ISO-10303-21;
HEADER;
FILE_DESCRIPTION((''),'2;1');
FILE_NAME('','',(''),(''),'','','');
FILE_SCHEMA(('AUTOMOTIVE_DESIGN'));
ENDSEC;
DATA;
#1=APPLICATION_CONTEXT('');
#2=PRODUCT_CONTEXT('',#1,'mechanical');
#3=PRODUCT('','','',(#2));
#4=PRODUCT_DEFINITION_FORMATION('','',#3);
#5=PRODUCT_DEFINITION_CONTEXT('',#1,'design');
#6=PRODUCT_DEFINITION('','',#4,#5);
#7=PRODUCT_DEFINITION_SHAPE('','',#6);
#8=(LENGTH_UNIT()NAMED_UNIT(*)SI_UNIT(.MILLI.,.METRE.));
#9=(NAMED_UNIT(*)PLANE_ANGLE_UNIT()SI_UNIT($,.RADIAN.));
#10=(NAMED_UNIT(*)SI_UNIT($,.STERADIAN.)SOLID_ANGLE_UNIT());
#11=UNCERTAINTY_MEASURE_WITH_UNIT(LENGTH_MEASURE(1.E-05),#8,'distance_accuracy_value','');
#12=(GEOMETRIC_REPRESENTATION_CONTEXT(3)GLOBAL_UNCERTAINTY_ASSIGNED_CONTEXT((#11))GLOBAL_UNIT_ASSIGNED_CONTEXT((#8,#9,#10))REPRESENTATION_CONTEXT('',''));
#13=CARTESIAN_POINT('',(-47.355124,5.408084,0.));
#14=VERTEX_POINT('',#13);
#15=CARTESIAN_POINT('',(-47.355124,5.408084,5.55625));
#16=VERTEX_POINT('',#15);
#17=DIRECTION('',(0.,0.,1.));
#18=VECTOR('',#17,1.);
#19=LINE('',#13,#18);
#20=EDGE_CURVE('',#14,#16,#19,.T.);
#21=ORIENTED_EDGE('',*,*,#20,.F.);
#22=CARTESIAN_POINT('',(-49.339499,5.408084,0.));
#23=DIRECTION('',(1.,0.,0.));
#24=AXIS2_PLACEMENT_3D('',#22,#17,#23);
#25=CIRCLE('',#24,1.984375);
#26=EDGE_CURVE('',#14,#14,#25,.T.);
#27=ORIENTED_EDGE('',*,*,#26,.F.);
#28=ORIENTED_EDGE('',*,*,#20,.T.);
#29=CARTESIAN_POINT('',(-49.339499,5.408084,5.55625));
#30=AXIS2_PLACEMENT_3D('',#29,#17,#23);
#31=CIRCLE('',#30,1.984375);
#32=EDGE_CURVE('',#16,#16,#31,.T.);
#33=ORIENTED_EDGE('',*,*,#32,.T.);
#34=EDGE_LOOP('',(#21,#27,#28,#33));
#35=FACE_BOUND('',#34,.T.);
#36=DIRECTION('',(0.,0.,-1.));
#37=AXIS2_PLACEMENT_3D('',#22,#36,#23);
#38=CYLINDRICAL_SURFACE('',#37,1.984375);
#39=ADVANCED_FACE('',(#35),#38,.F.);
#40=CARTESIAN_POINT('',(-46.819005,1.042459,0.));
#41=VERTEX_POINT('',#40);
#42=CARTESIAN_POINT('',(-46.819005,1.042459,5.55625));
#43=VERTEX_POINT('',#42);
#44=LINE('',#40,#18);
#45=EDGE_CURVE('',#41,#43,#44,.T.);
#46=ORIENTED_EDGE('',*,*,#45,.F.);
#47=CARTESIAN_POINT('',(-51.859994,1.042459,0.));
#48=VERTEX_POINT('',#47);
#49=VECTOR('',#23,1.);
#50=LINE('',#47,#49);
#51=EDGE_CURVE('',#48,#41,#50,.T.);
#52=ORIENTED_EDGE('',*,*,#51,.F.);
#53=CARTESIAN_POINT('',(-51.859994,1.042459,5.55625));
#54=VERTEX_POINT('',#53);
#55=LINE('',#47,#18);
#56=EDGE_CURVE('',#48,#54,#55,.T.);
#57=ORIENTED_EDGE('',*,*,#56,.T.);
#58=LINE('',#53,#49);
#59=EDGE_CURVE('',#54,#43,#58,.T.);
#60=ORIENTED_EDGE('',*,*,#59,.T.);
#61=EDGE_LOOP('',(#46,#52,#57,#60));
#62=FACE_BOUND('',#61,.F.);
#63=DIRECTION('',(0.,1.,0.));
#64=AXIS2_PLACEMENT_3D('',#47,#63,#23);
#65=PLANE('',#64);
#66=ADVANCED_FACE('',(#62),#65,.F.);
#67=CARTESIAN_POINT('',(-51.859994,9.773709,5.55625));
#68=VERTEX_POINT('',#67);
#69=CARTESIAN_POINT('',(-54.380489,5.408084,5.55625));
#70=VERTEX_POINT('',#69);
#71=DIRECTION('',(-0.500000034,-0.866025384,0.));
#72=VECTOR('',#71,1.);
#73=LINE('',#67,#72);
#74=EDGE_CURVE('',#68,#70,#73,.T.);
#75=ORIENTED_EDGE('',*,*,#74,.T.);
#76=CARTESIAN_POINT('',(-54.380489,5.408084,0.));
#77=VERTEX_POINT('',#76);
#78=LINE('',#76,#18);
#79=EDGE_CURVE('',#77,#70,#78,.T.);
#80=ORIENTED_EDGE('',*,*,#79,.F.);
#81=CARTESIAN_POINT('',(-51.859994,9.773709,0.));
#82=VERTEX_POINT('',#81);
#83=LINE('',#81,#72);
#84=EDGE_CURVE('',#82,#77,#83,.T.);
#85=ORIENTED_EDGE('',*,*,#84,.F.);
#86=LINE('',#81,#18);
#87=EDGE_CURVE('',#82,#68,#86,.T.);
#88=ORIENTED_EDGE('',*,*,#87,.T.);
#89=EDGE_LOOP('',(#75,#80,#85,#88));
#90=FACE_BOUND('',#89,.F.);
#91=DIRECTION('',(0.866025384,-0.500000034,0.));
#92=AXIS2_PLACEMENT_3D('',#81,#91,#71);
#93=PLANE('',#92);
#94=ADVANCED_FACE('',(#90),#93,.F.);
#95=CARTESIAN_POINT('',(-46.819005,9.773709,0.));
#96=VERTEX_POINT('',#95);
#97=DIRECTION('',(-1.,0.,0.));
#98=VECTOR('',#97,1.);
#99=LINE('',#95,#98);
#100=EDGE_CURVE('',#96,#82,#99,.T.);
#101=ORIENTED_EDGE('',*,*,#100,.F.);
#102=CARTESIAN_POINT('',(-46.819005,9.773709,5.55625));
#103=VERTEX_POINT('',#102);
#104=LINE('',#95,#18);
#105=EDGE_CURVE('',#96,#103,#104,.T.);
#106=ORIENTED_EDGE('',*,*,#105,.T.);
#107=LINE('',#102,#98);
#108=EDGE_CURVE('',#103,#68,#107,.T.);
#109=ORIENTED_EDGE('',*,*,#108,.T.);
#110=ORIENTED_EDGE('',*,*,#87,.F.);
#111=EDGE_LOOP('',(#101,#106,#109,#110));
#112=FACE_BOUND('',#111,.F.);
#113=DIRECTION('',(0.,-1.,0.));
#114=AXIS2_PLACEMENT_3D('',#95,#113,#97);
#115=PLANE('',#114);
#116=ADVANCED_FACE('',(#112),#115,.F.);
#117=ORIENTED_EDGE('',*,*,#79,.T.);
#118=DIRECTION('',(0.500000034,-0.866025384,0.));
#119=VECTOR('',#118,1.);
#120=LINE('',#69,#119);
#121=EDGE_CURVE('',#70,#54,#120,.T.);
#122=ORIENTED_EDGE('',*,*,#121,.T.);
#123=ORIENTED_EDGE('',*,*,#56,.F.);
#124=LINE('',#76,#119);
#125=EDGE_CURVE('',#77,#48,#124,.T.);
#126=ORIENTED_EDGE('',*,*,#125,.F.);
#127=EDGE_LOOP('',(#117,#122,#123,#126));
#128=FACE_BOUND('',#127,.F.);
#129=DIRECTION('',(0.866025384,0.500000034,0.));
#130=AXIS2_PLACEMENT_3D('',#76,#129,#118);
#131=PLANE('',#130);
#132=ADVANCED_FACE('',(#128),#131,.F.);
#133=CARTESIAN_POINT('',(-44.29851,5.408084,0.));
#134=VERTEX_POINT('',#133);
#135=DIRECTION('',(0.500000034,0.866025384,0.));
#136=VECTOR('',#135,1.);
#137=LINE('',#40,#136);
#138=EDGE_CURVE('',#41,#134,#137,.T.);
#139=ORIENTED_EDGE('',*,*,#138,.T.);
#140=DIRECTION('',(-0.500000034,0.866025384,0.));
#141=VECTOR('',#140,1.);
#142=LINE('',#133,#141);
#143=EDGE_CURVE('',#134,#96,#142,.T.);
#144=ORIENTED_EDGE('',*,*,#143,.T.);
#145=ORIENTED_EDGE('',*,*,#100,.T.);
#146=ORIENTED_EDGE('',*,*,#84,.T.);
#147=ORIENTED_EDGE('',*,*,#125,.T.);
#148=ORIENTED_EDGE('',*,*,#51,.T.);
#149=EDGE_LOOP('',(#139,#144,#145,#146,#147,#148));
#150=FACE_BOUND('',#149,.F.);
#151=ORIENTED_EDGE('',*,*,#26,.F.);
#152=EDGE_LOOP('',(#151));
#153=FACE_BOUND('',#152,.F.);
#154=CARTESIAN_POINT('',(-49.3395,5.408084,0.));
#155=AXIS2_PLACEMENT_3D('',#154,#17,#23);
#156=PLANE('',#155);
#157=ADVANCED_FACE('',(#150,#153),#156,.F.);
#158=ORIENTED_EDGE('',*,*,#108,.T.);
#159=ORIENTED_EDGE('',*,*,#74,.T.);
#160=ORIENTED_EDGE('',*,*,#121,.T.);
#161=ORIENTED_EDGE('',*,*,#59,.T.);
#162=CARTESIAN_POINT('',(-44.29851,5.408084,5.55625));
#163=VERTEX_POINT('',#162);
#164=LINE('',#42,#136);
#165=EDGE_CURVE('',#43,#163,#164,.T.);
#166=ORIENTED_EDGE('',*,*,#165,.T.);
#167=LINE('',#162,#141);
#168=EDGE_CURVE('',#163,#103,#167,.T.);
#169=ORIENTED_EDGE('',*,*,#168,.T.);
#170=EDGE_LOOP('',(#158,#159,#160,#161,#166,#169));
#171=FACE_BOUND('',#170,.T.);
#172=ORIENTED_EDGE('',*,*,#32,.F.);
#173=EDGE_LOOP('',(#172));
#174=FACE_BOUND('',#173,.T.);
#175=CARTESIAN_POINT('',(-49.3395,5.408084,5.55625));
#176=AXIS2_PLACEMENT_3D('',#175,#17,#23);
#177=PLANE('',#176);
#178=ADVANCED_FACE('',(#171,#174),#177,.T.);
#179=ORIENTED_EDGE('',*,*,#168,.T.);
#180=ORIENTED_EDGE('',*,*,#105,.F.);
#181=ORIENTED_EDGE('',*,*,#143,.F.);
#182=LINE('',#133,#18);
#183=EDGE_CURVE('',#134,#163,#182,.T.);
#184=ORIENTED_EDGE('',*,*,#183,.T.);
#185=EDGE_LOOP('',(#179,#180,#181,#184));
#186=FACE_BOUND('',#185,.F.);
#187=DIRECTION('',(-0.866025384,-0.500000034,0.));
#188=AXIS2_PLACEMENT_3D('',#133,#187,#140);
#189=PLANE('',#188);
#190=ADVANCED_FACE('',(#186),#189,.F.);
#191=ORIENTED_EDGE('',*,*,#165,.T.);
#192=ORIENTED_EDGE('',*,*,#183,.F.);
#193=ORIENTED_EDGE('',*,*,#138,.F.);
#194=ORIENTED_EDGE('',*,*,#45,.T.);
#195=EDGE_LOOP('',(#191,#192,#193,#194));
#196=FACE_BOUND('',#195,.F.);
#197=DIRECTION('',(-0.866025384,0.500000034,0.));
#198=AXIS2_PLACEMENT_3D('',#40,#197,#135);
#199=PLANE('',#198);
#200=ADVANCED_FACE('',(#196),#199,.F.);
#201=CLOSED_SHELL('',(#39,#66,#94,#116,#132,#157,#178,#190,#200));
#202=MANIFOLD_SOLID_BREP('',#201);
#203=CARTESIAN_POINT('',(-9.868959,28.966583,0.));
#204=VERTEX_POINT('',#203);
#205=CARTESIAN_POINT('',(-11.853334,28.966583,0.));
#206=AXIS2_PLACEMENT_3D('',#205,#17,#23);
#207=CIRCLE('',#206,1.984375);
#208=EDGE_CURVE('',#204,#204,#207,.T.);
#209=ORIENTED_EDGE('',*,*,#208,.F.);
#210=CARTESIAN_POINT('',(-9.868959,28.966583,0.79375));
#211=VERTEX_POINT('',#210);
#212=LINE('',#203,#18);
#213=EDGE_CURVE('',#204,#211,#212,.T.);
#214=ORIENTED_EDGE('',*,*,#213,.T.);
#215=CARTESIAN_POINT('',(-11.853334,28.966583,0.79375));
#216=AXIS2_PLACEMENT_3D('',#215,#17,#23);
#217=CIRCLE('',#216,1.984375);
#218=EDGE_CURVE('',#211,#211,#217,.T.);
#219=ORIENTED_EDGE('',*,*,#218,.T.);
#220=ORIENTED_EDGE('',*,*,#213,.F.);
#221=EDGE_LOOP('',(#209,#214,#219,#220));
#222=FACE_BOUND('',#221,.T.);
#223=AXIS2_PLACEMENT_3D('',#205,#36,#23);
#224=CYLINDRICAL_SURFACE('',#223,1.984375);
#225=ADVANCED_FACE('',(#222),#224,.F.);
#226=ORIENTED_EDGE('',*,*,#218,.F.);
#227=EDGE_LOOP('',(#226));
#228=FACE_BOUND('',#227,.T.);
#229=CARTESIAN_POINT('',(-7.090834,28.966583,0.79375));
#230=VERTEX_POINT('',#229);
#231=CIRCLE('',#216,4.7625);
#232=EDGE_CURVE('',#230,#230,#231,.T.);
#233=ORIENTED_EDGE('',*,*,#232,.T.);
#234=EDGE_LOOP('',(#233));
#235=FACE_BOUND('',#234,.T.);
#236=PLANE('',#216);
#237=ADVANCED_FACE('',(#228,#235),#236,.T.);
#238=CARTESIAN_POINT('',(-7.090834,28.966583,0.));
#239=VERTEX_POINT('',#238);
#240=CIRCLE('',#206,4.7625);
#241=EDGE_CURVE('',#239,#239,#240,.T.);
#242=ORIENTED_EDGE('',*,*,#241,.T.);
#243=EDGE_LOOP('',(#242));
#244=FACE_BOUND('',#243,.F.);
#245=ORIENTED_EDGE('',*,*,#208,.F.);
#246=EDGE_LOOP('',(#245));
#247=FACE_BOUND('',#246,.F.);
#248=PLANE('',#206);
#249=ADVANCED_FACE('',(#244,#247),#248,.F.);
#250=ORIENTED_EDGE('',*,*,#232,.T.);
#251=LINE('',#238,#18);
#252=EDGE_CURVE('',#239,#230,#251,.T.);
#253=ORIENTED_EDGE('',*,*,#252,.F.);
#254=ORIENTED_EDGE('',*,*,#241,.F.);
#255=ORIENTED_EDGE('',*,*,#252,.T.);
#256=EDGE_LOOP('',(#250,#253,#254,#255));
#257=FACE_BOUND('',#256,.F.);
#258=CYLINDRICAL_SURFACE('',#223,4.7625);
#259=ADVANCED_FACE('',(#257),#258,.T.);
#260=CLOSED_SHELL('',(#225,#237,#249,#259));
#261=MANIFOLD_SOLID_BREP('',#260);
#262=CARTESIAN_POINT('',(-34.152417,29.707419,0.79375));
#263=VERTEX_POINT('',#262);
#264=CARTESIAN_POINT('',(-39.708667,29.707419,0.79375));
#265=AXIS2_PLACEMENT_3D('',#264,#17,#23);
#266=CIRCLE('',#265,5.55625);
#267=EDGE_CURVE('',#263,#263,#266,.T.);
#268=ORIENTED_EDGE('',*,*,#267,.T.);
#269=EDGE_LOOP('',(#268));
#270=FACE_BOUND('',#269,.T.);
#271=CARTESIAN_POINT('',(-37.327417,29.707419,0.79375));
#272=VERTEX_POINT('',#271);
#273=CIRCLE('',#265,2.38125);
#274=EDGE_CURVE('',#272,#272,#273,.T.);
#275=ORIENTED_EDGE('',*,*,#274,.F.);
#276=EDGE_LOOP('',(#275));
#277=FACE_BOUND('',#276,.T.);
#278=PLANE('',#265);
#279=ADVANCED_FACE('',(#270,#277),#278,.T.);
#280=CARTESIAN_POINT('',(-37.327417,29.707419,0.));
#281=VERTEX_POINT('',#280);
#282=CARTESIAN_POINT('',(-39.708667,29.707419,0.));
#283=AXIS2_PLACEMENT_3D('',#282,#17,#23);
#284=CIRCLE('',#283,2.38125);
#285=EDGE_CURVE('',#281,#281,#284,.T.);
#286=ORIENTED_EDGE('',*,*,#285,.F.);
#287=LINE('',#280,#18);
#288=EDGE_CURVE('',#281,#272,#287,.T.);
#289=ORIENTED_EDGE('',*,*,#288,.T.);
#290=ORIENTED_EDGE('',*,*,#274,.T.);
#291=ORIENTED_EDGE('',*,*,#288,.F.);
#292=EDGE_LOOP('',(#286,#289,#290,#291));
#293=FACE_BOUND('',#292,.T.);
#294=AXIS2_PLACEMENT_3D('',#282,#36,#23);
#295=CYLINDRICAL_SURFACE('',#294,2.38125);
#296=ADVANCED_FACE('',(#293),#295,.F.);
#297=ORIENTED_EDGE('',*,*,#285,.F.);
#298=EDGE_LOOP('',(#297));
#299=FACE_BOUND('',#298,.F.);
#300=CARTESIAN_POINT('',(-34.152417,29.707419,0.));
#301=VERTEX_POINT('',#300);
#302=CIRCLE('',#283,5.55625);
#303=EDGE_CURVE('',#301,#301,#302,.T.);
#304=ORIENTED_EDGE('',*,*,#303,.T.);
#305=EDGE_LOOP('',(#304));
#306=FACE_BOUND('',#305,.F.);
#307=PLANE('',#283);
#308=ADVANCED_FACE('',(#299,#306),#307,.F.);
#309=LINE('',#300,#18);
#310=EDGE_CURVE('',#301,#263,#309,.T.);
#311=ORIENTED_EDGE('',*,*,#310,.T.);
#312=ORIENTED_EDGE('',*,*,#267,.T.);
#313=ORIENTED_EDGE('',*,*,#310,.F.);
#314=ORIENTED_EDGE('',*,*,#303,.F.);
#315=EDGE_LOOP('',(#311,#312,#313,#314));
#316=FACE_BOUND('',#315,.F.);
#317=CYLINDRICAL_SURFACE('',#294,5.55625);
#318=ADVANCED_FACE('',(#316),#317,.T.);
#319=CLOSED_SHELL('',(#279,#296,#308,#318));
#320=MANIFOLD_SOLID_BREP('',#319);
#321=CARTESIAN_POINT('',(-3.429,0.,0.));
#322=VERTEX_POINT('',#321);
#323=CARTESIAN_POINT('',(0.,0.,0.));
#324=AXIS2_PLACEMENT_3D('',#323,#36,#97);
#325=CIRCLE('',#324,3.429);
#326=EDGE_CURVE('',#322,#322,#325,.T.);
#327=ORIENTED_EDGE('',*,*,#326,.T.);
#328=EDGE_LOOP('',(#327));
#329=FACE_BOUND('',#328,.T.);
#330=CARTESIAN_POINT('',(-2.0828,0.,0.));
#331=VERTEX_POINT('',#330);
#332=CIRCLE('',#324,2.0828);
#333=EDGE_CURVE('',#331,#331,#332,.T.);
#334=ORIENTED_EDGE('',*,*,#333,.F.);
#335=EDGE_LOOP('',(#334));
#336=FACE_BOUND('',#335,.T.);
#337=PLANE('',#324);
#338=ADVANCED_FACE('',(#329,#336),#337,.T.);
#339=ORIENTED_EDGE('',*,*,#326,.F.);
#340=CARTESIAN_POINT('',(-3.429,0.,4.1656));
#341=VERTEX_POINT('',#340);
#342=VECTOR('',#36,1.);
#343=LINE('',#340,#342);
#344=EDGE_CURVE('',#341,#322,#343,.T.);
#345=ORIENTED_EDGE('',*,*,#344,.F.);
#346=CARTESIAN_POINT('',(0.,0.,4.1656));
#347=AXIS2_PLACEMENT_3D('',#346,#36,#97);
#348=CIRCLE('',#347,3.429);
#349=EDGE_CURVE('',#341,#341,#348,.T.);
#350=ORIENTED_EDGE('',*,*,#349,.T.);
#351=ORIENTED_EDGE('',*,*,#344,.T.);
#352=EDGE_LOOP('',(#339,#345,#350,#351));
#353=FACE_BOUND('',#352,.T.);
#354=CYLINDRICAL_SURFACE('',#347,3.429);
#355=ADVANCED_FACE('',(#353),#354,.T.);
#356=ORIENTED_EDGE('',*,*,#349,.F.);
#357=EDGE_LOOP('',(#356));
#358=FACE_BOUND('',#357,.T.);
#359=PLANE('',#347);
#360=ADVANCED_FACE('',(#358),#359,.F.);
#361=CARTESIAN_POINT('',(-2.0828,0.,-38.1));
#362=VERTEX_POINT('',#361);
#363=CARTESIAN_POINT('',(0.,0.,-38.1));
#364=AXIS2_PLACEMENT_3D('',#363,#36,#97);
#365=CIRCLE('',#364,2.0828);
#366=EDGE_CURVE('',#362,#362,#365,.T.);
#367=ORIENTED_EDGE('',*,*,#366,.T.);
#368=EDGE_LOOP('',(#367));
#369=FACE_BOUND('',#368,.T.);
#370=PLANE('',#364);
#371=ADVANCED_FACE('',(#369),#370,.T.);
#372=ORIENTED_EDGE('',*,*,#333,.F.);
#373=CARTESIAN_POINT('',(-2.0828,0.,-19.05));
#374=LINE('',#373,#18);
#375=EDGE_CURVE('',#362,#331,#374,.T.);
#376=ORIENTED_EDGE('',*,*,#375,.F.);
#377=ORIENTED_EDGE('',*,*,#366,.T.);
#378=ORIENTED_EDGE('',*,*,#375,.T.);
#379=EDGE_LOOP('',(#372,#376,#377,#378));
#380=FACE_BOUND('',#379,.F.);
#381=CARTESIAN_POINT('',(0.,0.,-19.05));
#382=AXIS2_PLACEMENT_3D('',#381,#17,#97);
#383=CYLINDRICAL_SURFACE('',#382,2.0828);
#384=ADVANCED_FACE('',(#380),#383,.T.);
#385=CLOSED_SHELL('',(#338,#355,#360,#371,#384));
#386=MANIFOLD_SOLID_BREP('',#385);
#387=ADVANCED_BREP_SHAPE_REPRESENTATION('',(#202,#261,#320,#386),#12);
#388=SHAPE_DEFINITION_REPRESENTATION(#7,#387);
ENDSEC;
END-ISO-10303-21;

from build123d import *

# Parameters (mm, degrees)
F0_W     = 2.0828
F0_H     = 38.1
F2_R     = 5.55625
F2_R_2   = 2.38125
F3_DEPTH = 0.79375
F4_R     = 4.7625
F4_R_2   = 1.984375
F5_DEPTH = 0.79375
F6_R     = 1.984375
F7_DEPTH = 5.55625


with BuildPart() as f1:
    # F0 (on Front) → F1 (revolve)
    with BuildSketch(Plane.XZ):
        with Locations((-1.0414, -19.05)):
            Rectangle(F0_W, F0_H)
        Polygon((-2.0828, 0), (0, 0), (0, 4.1656), (-3.429, 4.1656), (-3.429, 0), align=None)
    revolve(axis=Axis((0, 0, -19.05), (0, 0, -1)))


with BuildPart() as f3:
    # F2 (on Top) → F3 (new body)
    with BuildSketch(Plane.XY):
        with Locations((-39.708667, 29.707419)):
            Circle(F2_R)
        with Locations((-39.708667, 29.707419)):
            Circle(F2_R_2, mode=Mode.SUBTRACT)
    extrude(amount=F3_DEPTH)


with BuildPart() as f5:
    # F4 (on Top) → F5 (new body)
    with BuildSketch(Plane.XY):
        with Locations((-11.853334, 28.966583)):
            Circle(F4_R)
        with Locations((-11.853334, 28.966583)):
            Circle(F4_R_2, mode=Mode.SUBTRACT)
    extrude(amount=F5_DEPTH)


with BuildPart() as f7:
    # F6 (on Top) → F7 (new body)
    with BuildSketch(Plane.XY):
        Polygon((-46.819005, 9.773709), (-51.859994, 9.773709), (-54.380489, 5.408084), (-51.859994, 1.042459), (-46.819005, 1.042459), (-44.29851, 5.408084), align=None)
        with Locations((-49.339499, 5.408084)):
            Circle(F6_R, mode=Mode.SUBTRACT)
    extrude(amount=F7_DEPTH)


solid = Compound([f1.part, f3.part, f5.part, f7.part])
